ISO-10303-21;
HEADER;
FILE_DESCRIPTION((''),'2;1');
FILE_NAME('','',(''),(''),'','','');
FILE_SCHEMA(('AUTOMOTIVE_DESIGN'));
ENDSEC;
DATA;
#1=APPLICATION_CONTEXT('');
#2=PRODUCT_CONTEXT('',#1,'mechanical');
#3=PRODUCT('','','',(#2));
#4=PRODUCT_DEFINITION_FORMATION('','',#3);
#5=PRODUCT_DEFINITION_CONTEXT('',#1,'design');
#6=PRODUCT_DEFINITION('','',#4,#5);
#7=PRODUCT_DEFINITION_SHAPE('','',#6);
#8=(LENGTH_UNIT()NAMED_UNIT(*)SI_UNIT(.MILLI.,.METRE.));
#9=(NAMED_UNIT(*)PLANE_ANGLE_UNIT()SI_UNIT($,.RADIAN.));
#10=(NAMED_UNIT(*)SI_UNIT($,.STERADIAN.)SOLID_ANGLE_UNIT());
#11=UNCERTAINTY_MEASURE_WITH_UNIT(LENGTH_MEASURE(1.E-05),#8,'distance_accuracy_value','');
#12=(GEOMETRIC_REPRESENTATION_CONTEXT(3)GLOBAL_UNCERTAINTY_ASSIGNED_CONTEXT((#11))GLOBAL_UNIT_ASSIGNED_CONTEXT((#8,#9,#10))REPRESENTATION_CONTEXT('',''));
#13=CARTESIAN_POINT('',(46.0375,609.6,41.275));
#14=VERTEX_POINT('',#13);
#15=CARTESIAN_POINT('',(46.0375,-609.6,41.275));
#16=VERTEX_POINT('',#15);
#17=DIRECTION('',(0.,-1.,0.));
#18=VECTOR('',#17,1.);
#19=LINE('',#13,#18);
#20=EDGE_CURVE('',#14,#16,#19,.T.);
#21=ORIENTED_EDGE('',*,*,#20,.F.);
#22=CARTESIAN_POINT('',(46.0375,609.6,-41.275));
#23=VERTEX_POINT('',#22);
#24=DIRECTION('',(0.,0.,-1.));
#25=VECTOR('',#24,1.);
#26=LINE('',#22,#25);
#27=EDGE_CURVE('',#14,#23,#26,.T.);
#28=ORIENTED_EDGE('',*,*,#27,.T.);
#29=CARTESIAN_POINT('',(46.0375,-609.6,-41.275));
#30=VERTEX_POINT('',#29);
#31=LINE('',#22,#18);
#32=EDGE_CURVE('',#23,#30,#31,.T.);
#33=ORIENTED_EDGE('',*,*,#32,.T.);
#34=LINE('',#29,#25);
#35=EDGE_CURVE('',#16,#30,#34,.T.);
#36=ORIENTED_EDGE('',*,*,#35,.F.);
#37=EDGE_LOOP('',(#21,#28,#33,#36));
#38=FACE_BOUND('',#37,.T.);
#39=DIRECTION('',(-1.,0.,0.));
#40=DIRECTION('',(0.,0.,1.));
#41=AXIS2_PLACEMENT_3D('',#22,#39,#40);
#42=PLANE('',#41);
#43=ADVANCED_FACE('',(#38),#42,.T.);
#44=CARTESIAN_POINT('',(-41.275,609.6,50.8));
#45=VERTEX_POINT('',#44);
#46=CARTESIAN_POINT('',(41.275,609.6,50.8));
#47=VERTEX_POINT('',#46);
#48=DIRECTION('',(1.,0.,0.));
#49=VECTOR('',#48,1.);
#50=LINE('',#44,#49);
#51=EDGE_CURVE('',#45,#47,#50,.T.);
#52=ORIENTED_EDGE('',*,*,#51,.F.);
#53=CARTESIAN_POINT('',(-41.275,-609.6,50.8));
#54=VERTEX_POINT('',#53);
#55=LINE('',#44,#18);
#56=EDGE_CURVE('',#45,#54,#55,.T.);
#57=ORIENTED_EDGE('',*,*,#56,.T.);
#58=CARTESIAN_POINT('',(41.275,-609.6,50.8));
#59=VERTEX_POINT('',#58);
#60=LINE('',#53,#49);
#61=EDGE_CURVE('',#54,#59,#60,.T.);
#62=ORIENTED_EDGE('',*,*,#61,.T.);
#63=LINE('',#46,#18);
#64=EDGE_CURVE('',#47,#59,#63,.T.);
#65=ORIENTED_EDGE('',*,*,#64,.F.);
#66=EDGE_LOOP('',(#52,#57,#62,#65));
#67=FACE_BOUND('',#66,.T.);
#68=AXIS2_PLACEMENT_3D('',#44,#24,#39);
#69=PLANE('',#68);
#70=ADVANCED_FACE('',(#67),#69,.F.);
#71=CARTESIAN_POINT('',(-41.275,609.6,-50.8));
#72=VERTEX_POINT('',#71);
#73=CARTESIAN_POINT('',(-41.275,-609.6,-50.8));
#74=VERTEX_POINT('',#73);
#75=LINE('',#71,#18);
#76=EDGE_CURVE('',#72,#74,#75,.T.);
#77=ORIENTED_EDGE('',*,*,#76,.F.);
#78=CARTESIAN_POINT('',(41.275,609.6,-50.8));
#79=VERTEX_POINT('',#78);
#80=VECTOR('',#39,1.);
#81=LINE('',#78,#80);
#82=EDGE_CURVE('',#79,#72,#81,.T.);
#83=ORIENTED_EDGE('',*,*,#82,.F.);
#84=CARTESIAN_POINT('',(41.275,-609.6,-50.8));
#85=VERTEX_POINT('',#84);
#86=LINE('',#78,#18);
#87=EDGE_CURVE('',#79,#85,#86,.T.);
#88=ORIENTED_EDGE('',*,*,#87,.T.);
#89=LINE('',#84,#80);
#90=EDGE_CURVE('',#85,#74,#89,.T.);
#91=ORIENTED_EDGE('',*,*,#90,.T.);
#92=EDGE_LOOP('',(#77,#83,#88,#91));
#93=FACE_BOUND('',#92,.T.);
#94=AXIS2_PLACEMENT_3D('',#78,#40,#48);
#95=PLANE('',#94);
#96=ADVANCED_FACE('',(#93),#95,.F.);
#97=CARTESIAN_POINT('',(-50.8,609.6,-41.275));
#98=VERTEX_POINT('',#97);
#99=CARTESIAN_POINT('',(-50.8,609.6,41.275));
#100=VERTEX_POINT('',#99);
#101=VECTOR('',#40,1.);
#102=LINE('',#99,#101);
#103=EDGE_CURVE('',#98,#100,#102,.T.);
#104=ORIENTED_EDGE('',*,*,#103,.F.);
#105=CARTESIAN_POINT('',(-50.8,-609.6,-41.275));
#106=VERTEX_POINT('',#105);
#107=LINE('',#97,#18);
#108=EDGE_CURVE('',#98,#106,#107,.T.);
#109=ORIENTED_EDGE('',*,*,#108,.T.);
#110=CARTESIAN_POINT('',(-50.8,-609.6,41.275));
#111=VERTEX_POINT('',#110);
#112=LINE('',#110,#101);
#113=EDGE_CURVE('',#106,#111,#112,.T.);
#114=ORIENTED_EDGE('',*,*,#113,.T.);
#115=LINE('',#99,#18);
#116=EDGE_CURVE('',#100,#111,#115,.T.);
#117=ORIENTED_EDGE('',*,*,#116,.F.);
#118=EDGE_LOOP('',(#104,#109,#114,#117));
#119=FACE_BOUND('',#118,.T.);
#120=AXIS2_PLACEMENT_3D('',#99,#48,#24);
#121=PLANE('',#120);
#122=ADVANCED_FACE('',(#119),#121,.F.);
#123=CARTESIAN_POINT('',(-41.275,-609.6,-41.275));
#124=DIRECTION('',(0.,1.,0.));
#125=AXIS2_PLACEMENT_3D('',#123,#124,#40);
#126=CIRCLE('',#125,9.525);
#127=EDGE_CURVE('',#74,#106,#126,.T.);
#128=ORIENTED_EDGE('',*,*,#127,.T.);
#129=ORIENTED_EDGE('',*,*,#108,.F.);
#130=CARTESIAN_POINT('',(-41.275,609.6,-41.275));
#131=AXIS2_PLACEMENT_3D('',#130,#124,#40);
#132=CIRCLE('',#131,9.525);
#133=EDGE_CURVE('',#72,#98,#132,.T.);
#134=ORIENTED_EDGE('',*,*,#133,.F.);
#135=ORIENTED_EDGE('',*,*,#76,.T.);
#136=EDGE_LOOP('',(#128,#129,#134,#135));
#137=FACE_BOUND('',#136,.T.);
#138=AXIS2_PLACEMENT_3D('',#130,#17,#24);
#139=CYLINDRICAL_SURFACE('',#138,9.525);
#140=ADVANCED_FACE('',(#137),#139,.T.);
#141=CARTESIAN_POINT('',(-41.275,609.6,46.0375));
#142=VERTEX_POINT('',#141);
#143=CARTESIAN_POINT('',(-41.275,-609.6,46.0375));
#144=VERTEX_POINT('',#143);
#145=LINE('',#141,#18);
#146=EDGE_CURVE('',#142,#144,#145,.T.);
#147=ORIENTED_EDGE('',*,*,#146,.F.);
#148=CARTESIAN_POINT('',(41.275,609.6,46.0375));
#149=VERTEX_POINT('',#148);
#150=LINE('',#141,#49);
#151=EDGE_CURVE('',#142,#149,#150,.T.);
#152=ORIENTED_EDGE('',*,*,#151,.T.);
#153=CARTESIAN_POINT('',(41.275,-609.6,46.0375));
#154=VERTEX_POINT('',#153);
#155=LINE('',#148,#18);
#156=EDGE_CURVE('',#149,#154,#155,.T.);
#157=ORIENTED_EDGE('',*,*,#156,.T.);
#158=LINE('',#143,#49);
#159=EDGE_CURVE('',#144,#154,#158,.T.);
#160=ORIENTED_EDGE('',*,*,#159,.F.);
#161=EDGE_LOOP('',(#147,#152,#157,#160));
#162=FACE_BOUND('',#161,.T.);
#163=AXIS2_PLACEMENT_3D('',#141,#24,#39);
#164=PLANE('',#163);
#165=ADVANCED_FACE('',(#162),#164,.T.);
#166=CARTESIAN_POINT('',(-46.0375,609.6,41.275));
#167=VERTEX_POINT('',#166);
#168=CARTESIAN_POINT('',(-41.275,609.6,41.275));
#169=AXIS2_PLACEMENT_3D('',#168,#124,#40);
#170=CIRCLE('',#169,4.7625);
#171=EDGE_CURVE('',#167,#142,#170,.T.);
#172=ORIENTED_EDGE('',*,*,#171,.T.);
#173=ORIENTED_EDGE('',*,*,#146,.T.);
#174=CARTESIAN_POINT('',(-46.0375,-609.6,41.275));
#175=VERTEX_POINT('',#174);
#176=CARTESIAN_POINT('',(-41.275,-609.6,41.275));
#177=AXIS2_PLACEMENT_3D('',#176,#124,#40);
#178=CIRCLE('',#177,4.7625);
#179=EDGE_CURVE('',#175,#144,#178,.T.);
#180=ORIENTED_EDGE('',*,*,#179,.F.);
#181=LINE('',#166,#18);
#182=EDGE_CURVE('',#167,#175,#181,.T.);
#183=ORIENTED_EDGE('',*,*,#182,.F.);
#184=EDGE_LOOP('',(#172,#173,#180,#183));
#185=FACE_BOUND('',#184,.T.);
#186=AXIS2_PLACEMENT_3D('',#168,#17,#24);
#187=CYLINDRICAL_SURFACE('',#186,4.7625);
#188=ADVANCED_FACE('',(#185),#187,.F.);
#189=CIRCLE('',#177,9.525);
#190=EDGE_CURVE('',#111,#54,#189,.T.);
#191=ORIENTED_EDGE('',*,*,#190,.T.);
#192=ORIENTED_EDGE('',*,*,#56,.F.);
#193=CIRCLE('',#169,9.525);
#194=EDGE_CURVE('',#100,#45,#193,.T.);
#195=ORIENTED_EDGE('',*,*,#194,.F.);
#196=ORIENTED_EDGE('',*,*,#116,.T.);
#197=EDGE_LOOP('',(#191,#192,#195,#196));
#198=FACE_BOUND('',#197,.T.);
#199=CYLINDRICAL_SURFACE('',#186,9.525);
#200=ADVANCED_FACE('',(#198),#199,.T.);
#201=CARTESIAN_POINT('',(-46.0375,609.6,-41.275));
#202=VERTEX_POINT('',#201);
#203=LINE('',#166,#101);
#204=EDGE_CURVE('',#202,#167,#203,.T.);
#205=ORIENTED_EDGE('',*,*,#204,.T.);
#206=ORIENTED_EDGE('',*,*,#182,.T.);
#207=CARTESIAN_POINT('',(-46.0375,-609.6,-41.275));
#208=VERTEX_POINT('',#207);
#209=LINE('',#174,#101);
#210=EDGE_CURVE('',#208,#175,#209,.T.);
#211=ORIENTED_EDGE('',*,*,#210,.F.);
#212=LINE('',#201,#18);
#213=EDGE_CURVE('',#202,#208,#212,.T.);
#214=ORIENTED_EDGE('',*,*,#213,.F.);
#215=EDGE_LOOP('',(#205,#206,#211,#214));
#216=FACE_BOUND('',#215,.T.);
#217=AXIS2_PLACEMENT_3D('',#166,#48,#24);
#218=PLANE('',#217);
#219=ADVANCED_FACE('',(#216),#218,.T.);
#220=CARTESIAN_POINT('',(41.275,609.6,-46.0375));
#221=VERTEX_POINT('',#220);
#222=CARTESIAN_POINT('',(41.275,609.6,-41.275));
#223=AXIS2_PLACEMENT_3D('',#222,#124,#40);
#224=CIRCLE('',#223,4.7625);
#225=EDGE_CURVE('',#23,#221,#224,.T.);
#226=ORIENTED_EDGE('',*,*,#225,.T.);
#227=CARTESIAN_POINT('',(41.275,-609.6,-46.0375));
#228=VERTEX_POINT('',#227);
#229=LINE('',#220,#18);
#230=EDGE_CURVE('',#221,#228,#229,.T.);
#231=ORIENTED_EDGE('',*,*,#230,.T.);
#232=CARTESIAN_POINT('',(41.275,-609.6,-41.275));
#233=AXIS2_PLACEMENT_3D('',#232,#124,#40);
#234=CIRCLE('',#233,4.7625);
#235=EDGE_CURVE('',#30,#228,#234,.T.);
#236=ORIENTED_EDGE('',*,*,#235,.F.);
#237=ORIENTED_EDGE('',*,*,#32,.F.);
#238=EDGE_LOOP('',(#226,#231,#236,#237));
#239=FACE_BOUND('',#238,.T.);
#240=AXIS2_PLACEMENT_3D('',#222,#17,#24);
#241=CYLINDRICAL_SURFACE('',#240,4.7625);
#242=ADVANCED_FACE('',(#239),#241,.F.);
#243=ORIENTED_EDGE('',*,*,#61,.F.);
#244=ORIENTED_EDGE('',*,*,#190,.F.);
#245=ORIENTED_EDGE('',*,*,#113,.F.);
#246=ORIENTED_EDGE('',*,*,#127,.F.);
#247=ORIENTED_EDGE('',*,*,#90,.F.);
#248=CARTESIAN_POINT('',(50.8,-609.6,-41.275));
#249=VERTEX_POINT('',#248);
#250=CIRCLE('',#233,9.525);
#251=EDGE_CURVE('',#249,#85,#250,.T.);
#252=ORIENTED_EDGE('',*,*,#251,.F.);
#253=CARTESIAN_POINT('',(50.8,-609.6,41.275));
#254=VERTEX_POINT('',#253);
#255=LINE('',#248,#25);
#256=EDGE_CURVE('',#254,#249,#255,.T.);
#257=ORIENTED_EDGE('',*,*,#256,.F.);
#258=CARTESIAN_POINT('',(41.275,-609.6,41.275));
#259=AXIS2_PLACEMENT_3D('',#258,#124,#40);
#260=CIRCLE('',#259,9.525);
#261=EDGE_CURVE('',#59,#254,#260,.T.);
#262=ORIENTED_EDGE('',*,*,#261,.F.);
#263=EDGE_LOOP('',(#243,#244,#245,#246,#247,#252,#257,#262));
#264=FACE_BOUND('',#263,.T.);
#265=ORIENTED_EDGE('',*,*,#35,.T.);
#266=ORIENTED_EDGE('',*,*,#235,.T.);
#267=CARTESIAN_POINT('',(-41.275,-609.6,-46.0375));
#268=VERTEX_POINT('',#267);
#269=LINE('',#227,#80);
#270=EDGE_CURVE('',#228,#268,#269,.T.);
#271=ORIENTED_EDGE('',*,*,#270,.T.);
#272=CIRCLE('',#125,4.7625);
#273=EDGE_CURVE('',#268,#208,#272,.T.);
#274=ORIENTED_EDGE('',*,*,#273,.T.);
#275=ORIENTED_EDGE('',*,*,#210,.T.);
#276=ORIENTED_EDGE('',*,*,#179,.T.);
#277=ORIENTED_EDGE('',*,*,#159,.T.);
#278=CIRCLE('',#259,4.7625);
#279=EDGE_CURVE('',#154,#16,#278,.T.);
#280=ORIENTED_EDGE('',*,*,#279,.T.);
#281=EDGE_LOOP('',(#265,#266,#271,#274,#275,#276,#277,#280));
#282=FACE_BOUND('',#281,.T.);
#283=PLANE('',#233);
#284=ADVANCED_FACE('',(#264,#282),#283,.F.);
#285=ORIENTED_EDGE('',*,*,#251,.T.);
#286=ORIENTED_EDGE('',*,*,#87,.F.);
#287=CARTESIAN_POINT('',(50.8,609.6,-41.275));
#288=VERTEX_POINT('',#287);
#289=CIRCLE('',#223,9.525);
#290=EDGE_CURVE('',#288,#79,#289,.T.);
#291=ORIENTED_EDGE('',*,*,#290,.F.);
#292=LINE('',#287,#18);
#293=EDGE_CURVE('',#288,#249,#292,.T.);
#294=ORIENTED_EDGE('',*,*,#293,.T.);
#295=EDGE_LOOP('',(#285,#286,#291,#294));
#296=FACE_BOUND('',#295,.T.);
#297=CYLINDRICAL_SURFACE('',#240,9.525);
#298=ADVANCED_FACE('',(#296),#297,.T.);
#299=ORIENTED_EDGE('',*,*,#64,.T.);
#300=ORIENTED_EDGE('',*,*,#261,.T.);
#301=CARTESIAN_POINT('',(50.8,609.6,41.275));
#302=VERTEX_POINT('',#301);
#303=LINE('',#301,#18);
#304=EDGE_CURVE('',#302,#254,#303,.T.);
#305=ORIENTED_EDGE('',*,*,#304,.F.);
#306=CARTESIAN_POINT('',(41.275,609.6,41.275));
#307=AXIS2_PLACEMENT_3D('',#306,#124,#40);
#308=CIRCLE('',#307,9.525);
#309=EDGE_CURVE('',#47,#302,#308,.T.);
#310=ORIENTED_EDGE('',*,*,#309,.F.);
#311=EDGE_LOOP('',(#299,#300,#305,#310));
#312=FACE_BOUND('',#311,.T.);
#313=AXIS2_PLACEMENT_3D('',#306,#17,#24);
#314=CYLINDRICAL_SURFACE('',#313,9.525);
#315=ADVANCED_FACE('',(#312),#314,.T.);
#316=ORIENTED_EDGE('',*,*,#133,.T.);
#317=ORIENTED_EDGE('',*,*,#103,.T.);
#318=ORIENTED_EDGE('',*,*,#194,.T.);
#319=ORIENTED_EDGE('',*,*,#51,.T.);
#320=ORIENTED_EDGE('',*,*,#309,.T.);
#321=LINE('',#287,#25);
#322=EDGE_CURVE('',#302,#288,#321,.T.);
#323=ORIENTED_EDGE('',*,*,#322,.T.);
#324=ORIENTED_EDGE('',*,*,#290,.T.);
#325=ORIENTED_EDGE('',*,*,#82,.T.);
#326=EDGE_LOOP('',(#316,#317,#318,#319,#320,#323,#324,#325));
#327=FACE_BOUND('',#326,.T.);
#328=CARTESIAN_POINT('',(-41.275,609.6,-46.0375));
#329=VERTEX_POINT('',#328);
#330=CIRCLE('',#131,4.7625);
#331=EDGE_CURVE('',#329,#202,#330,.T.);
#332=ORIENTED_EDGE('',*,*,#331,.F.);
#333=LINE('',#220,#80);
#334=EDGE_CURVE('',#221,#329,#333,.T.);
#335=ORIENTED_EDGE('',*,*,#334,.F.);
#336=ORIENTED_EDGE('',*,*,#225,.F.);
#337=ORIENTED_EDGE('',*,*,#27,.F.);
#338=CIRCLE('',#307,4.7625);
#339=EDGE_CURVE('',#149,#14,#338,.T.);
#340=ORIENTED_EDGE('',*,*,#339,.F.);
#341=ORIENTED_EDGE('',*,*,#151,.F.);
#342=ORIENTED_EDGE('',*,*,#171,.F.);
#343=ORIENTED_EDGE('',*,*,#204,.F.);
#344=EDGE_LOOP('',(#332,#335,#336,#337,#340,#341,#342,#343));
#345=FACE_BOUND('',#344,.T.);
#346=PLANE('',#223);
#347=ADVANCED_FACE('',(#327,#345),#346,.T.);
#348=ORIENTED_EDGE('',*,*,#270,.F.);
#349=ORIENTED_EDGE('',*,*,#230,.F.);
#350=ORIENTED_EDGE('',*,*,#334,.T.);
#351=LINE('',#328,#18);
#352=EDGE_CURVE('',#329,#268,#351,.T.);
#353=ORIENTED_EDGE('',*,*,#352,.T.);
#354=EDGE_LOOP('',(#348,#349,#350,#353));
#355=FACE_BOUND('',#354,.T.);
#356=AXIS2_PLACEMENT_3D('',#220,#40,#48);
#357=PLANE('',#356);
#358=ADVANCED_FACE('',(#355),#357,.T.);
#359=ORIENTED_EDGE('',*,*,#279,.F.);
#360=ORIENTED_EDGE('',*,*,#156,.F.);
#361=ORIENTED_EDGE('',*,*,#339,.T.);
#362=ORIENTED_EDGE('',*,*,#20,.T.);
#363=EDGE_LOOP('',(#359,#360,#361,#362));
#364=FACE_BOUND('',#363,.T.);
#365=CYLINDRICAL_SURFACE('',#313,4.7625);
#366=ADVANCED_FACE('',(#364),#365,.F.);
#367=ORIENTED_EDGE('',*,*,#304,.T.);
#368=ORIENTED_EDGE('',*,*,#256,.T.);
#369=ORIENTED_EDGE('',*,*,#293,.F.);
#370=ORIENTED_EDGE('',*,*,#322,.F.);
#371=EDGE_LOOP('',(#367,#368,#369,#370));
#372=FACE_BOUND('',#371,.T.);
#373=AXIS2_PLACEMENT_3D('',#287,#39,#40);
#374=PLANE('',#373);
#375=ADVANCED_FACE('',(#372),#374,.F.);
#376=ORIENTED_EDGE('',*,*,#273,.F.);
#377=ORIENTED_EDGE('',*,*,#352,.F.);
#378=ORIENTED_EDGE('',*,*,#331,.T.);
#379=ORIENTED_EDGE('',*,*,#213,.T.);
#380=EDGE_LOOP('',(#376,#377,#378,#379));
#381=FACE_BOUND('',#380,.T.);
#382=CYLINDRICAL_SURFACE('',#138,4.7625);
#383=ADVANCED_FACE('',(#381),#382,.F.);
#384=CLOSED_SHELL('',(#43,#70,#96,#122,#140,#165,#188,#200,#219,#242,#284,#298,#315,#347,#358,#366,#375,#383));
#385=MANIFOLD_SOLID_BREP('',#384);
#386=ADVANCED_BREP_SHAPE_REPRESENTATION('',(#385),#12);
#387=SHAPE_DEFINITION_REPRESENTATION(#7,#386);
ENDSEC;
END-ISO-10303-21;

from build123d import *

# Parameters (mm, degrees)
BOSS_EXTRUDE1_DEPTH = 609.6


with BuildPart() as part:
    # Sketch1 → Boss-Extrude1 (new body, symmetric)
    with BuildSketch(Plane(origin=(0, 0, 0), x_dir=(1, 0, 0), z_dir=(0, 1, 0))):
        with BuildLine():
            Line((-41.275, -50.8), (41.275, -50.8))
            ThreePointArc((41.275, -50.8), (48.010192091, -48.010192091), (50.8, -41.275))
            Line((50.8, -41.275), (50.8, 41.275))
            ThreePointArc((50.8, 41.275), (48.010192091, 48.010192091), (41.275, 50.8))
            Line((41.275, 50.8), (-41.275, 50.8))
            ThreePointArc((-41.275, 50.8), (-48.010192091, 48.010192091), (-50.8, 41.275))
            Line((-50.8, 41.275), (-50.8, -41.275))
            ThreePointArc((-50.8, -41.275), (-48.010192091, -48.010192091), (-41.275, -50.8))
        make_face()
        with BuildLine():
            Line((-41.275, -46.0375), (41.275, -46.0375))
            ThreePointArc((41.275, -46.0375), (44.642596045, -44.642596045), (46.0375, -41.275))
            Line((46.0375, -41.275), (46.0375, 41.275))
            ThreePointArc((46.0375, 41.275), (44.642596045, 44.642596045), (41.275, 46.0375))
            Line((41.275, 46.0375), (-41.275, 46.0375))
            ThreePointArc((-41.275, 46.0375), (-44.642596045, 44.642596045), (-46.0375, 41.275))
            Line((-46.0375, 41.275), (-46.0375, -41.275))
            ThreePointArc((-46.0375, -41.275), (-44.642596045, -44.642596045), (-41.275, -46.0375))
        make_face(mode=Mode.SUBTRACT)
    extrude(amount=BOSS_EXTRUDE1_DEPTH, both=True)


solid = part.part
